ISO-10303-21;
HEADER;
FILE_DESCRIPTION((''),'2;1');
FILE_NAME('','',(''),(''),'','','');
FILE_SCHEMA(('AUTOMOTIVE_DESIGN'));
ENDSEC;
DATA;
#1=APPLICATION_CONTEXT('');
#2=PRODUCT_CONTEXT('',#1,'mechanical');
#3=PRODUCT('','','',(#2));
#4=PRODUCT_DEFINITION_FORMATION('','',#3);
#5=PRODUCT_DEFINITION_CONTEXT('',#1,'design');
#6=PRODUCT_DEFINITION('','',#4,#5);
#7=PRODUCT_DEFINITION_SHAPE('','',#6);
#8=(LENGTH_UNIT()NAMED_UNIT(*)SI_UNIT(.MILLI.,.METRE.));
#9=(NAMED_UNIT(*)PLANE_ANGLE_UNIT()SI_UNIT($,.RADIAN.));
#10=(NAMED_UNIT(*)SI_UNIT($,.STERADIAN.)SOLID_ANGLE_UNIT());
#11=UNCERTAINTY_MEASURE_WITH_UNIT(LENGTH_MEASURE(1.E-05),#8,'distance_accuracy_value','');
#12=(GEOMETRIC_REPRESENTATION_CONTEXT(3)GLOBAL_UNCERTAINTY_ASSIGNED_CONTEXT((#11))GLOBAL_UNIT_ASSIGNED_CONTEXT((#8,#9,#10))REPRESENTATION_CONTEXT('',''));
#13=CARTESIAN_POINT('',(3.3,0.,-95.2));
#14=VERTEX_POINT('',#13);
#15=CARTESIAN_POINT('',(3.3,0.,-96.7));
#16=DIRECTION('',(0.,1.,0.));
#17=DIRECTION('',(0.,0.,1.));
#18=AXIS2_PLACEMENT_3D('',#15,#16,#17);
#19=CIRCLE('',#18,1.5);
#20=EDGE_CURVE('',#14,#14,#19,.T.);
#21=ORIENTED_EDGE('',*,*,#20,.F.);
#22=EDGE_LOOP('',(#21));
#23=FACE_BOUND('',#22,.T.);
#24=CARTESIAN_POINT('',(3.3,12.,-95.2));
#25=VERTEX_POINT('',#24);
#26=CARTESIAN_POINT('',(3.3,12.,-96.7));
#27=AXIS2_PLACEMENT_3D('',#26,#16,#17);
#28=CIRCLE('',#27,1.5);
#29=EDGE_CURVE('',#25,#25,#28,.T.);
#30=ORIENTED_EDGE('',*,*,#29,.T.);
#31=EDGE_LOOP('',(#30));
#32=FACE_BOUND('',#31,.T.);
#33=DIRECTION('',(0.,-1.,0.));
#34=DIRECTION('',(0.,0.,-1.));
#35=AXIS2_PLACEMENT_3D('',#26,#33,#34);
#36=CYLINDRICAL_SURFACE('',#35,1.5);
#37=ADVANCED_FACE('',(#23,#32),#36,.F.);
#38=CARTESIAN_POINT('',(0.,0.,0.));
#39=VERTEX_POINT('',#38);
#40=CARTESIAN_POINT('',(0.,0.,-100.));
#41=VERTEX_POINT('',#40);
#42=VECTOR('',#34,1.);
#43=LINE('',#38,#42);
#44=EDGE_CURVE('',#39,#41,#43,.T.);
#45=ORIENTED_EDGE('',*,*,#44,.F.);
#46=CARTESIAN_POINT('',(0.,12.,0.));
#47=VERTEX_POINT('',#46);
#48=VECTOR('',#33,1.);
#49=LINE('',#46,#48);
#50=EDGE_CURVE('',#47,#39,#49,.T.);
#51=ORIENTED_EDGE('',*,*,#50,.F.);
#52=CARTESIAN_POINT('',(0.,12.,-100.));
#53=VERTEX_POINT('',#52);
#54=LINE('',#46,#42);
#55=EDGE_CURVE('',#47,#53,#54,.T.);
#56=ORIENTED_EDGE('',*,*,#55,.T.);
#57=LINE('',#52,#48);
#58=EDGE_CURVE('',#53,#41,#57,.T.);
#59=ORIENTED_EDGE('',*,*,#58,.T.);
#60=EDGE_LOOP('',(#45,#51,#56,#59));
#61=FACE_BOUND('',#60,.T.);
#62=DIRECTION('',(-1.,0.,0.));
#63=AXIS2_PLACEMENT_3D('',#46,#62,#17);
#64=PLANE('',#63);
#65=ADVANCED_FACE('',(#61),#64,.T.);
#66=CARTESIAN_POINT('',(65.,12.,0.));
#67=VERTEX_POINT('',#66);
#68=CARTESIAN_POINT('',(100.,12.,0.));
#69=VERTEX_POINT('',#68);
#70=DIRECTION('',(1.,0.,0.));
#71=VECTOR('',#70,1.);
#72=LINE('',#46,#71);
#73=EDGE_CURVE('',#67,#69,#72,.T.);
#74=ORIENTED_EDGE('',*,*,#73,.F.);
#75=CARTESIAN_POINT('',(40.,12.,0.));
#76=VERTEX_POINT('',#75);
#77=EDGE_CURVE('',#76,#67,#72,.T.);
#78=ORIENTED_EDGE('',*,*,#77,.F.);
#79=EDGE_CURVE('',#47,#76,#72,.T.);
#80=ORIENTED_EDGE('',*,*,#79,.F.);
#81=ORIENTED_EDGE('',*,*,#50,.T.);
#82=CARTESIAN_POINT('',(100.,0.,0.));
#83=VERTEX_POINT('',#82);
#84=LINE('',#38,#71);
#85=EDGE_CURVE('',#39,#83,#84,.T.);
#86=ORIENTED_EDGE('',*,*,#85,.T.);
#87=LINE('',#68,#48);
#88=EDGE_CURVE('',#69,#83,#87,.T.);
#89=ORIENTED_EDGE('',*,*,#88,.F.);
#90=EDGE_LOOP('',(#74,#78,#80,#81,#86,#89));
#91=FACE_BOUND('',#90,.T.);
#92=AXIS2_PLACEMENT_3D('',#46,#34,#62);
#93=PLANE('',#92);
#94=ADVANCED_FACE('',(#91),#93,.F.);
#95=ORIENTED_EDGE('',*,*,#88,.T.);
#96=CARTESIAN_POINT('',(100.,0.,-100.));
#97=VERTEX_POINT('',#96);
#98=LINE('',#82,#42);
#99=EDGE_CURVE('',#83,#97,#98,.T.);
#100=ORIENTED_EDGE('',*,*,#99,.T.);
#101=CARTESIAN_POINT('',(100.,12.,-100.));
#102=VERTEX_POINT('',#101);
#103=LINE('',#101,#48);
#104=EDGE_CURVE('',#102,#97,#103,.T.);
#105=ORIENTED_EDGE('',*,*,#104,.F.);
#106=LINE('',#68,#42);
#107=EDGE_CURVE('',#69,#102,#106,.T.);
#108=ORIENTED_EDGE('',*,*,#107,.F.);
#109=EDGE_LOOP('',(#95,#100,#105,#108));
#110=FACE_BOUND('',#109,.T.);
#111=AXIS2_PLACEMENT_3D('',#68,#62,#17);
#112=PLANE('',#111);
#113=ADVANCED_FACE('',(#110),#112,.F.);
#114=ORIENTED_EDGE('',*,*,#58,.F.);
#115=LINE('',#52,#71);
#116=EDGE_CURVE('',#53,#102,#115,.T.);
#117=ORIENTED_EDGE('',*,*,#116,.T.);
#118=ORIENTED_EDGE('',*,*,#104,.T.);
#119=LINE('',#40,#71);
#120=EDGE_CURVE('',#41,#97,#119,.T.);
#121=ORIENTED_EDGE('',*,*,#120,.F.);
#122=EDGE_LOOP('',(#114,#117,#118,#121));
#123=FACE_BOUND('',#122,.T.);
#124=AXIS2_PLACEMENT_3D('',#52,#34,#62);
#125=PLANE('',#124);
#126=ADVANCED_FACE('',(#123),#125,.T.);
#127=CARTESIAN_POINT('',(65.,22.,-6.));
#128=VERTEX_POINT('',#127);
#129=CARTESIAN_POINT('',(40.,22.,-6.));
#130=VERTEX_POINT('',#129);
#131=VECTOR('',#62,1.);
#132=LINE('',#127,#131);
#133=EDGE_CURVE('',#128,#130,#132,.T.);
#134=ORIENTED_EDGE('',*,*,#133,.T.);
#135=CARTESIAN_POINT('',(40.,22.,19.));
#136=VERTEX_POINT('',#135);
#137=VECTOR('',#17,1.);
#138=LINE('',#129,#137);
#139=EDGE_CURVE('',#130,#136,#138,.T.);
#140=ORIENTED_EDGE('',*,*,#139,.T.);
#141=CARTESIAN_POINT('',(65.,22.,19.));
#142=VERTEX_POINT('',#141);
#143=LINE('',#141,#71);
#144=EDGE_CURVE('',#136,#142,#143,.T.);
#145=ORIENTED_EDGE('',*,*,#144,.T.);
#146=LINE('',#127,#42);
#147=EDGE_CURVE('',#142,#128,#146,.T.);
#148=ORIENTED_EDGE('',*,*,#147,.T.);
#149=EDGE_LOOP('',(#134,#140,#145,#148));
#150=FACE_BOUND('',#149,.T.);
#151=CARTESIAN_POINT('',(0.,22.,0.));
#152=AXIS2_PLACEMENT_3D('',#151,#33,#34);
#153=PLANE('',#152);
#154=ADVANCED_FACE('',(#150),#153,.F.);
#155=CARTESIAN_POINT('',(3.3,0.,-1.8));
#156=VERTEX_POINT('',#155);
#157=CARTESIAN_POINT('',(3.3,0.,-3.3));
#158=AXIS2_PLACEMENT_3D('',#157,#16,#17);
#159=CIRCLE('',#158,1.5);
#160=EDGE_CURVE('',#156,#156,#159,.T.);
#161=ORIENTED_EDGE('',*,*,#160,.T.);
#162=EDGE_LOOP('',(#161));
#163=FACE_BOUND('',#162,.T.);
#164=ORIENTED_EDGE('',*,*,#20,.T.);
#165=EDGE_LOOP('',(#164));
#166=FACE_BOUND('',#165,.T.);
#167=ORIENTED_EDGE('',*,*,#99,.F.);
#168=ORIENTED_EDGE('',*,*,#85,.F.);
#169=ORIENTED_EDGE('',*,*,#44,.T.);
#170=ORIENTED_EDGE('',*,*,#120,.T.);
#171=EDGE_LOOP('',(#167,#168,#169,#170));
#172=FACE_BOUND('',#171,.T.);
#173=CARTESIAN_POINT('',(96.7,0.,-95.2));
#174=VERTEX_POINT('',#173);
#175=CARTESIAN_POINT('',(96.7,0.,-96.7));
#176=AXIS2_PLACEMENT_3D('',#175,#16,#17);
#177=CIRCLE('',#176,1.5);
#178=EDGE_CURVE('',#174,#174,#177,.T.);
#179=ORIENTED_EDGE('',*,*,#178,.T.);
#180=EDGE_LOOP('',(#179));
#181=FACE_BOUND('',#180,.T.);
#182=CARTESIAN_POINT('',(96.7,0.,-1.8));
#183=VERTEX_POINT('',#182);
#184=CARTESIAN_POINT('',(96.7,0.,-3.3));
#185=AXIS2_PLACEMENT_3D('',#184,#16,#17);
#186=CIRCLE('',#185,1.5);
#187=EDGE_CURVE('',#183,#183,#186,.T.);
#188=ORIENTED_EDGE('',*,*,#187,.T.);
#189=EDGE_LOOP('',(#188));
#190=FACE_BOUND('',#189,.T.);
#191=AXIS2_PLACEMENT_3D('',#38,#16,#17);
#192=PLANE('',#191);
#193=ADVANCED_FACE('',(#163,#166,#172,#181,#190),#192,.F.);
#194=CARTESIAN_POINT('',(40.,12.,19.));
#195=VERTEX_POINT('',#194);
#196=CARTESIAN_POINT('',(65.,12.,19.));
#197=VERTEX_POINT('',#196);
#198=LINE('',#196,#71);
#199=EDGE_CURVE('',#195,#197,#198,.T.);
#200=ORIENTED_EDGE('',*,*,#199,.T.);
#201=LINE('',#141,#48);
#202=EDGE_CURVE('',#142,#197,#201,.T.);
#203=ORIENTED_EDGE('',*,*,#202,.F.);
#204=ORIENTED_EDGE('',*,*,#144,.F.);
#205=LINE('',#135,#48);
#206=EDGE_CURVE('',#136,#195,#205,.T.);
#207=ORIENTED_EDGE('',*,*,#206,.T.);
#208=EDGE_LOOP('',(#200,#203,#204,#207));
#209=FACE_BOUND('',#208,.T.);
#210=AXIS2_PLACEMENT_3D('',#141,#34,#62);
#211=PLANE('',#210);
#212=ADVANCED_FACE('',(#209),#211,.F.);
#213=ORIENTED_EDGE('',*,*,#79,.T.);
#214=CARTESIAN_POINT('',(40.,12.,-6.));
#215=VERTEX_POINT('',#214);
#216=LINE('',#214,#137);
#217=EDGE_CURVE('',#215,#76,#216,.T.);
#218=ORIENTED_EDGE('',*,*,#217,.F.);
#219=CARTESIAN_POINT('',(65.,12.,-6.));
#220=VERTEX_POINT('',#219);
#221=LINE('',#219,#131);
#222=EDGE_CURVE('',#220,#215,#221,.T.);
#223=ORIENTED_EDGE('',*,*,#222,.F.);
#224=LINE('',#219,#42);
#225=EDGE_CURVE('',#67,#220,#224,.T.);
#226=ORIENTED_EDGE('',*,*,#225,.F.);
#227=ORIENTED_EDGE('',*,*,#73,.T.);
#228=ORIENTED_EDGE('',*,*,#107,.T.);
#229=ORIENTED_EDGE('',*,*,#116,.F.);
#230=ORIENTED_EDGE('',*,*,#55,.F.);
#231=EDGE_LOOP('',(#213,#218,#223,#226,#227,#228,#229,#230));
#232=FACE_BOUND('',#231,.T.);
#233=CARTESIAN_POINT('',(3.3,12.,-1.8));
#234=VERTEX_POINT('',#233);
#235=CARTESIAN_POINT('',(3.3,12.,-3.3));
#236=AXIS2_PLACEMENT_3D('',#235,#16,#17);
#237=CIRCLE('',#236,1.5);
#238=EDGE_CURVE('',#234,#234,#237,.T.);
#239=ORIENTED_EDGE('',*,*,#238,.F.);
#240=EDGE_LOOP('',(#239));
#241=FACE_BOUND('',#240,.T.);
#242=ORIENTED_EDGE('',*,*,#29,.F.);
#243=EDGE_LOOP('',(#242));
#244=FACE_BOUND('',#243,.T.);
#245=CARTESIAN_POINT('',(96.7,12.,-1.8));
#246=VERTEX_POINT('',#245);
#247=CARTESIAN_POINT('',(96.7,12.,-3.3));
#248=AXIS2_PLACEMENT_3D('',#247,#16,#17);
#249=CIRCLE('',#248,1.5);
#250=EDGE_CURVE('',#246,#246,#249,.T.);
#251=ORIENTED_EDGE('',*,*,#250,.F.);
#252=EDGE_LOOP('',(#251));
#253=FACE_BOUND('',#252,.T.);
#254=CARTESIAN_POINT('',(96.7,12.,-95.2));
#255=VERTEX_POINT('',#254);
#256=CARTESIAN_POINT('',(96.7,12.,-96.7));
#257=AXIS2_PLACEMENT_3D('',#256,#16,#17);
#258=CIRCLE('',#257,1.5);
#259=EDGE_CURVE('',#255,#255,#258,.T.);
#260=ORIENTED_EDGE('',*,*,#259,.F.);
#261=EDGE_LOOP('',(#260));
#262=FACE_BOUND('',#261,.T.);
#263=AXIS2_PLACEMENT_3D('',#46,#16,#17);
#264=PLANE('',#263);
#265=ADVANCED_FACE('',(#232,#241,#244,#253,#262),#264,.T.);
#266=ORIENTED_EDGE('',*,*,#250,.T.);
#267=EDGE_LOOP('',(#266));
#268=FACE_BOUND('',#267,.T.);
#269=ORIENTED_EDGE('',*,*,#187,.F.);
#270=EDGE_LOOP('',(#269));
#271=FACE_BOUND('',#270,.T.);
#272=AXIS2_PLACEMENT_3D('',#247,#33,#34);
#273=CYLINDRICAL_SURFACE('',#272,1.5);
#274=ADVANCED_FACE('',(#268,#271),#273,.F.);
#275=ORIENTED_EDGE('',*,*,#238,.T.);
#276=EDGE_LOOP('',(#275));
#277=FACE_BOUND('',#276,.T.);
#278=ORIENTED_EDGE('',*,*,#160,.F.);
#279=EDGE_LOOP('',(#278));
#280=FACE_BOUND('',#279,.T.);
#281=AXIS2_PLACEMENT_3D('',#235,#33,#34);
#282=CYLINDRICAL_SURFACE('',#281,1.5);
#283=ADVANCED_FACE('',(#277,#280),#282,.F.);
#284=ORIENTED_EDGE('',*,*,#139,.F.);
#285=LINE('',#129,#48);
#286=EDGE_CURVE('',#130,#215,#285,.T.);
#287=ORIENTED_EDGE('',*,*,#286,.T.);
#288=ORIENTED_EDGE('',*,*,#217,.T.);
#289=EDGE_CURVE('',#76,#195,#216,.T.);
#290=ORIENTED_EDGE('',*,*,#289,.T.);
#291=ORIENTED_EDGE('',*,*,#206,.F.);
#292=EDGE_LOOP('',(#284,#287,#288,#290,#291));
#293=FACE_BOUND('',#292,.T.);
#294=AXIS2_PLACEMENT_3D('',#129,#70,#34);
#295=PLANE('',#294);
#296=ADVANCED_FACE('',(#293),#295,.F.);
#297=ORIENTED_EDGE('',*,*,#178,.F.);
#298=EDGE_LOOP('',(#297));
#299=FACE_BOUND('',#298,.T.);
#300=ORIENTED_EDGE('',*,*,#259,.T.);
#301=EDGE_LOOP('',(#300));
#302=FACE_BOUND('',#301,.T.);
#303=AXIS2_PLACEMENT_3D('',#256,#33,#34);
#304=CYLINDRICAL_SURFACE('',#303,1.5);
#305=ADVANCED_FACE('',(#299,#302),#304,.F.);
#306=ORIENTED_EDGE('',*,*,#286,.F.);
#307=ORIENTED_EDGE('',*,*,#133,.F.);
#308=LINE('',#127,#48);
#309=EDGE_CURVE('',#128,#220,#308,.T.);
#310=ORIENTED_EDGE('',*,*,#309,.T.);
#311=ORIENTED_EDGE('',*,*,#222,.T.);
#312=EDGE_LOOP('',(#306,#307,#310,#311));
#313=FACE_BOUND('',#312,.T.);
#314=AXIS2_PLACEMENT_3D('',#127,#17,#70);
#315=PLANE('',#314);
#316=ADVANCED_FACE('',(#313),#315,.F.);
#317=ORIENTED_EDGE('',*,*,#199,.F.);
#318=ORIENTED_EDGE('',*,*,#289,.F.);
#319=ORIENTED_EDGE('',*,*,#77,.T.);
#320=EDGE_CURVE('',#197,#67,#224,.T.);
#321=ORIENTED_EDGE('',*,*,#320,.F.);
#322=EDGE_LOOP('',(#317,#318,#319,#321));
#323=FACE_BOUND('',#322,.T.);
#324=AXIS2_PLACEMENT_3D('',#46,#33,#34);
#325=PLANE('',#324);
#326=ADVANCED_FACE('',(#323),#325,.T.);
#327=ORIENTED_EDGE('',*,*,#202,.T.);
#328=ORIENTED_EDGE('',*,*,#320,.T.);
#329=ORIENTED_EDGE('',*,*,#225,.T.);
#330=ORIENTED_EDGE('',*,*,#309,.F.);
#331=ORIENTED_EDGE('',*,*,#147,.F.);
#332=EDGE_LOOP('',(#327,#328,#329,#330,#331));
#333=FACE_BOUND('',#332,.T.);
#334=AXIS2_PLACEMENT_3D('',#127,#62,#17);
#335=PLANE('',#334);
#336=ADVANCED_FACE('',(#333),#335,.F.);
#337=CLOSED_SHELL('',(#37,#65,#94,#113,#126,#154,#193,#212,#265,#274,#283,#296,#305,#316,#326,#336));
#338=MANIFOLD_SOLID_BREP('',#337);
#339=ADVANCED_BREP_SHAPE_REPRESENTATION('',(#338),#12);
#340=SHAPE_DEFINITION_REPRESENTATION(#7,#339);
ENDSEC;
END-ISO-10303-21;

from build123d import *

# Parameters (mm, degrees)
SKETCH1_W           = 100
SKETCH1_H           = 100
SKETCH1_R           = 1.5
BOSS_EXTRUDE1_DEPTH = 12
SKETCH2_W           = 25
SKETCH2_H           = 25
BOSS_EXTRUDE2_DEPTH = 10


with BuildPart() as part:
    # Sketch1 → Boss-Extrude1 (new body)
    with BuildSketch(Plane(origin=(0, 0, 0), x_dir=(1, 0, 0), z_dir=(0, 1, 0))):
        with Locations((50, 50)):
            Rectangle(SKETCH1_W, SKETCH1_H)
        with Locations((96.7, 96.7)):
            Circle(SKETCH1_R, mode=Mode.SUBTRACT)
        with Locations((96.7, 3.3)):
            Circle(SKETCH1_R, mode=Mode.SUBTRACT)
        with Locations((3.3, 96.7)):
            Circle(SKETCH1_R, mode=Mode.SUBTRACT)
        with Locations((3.3, 3.3)):
            Circle(SKETCH1_R, mode=Mode.SUBTRACT)
    extrude(amount=BOSS_EXTRUDE1_DEPTH)

    # Sketch2 → Boss-Extrude2 (add)
    with BuildSketch(Plane(origin=(0, 12, 0), x_dir=(1, 0, 0), z_dir=(0, 1, 0))):
        with Locations((52.5, -6.5)):
            Rectangle(SKETCH2_W, SKETCH2_H)
    extrude(amount=BOSS_EXTRUDE2_DEPTH)


solid = part.part
